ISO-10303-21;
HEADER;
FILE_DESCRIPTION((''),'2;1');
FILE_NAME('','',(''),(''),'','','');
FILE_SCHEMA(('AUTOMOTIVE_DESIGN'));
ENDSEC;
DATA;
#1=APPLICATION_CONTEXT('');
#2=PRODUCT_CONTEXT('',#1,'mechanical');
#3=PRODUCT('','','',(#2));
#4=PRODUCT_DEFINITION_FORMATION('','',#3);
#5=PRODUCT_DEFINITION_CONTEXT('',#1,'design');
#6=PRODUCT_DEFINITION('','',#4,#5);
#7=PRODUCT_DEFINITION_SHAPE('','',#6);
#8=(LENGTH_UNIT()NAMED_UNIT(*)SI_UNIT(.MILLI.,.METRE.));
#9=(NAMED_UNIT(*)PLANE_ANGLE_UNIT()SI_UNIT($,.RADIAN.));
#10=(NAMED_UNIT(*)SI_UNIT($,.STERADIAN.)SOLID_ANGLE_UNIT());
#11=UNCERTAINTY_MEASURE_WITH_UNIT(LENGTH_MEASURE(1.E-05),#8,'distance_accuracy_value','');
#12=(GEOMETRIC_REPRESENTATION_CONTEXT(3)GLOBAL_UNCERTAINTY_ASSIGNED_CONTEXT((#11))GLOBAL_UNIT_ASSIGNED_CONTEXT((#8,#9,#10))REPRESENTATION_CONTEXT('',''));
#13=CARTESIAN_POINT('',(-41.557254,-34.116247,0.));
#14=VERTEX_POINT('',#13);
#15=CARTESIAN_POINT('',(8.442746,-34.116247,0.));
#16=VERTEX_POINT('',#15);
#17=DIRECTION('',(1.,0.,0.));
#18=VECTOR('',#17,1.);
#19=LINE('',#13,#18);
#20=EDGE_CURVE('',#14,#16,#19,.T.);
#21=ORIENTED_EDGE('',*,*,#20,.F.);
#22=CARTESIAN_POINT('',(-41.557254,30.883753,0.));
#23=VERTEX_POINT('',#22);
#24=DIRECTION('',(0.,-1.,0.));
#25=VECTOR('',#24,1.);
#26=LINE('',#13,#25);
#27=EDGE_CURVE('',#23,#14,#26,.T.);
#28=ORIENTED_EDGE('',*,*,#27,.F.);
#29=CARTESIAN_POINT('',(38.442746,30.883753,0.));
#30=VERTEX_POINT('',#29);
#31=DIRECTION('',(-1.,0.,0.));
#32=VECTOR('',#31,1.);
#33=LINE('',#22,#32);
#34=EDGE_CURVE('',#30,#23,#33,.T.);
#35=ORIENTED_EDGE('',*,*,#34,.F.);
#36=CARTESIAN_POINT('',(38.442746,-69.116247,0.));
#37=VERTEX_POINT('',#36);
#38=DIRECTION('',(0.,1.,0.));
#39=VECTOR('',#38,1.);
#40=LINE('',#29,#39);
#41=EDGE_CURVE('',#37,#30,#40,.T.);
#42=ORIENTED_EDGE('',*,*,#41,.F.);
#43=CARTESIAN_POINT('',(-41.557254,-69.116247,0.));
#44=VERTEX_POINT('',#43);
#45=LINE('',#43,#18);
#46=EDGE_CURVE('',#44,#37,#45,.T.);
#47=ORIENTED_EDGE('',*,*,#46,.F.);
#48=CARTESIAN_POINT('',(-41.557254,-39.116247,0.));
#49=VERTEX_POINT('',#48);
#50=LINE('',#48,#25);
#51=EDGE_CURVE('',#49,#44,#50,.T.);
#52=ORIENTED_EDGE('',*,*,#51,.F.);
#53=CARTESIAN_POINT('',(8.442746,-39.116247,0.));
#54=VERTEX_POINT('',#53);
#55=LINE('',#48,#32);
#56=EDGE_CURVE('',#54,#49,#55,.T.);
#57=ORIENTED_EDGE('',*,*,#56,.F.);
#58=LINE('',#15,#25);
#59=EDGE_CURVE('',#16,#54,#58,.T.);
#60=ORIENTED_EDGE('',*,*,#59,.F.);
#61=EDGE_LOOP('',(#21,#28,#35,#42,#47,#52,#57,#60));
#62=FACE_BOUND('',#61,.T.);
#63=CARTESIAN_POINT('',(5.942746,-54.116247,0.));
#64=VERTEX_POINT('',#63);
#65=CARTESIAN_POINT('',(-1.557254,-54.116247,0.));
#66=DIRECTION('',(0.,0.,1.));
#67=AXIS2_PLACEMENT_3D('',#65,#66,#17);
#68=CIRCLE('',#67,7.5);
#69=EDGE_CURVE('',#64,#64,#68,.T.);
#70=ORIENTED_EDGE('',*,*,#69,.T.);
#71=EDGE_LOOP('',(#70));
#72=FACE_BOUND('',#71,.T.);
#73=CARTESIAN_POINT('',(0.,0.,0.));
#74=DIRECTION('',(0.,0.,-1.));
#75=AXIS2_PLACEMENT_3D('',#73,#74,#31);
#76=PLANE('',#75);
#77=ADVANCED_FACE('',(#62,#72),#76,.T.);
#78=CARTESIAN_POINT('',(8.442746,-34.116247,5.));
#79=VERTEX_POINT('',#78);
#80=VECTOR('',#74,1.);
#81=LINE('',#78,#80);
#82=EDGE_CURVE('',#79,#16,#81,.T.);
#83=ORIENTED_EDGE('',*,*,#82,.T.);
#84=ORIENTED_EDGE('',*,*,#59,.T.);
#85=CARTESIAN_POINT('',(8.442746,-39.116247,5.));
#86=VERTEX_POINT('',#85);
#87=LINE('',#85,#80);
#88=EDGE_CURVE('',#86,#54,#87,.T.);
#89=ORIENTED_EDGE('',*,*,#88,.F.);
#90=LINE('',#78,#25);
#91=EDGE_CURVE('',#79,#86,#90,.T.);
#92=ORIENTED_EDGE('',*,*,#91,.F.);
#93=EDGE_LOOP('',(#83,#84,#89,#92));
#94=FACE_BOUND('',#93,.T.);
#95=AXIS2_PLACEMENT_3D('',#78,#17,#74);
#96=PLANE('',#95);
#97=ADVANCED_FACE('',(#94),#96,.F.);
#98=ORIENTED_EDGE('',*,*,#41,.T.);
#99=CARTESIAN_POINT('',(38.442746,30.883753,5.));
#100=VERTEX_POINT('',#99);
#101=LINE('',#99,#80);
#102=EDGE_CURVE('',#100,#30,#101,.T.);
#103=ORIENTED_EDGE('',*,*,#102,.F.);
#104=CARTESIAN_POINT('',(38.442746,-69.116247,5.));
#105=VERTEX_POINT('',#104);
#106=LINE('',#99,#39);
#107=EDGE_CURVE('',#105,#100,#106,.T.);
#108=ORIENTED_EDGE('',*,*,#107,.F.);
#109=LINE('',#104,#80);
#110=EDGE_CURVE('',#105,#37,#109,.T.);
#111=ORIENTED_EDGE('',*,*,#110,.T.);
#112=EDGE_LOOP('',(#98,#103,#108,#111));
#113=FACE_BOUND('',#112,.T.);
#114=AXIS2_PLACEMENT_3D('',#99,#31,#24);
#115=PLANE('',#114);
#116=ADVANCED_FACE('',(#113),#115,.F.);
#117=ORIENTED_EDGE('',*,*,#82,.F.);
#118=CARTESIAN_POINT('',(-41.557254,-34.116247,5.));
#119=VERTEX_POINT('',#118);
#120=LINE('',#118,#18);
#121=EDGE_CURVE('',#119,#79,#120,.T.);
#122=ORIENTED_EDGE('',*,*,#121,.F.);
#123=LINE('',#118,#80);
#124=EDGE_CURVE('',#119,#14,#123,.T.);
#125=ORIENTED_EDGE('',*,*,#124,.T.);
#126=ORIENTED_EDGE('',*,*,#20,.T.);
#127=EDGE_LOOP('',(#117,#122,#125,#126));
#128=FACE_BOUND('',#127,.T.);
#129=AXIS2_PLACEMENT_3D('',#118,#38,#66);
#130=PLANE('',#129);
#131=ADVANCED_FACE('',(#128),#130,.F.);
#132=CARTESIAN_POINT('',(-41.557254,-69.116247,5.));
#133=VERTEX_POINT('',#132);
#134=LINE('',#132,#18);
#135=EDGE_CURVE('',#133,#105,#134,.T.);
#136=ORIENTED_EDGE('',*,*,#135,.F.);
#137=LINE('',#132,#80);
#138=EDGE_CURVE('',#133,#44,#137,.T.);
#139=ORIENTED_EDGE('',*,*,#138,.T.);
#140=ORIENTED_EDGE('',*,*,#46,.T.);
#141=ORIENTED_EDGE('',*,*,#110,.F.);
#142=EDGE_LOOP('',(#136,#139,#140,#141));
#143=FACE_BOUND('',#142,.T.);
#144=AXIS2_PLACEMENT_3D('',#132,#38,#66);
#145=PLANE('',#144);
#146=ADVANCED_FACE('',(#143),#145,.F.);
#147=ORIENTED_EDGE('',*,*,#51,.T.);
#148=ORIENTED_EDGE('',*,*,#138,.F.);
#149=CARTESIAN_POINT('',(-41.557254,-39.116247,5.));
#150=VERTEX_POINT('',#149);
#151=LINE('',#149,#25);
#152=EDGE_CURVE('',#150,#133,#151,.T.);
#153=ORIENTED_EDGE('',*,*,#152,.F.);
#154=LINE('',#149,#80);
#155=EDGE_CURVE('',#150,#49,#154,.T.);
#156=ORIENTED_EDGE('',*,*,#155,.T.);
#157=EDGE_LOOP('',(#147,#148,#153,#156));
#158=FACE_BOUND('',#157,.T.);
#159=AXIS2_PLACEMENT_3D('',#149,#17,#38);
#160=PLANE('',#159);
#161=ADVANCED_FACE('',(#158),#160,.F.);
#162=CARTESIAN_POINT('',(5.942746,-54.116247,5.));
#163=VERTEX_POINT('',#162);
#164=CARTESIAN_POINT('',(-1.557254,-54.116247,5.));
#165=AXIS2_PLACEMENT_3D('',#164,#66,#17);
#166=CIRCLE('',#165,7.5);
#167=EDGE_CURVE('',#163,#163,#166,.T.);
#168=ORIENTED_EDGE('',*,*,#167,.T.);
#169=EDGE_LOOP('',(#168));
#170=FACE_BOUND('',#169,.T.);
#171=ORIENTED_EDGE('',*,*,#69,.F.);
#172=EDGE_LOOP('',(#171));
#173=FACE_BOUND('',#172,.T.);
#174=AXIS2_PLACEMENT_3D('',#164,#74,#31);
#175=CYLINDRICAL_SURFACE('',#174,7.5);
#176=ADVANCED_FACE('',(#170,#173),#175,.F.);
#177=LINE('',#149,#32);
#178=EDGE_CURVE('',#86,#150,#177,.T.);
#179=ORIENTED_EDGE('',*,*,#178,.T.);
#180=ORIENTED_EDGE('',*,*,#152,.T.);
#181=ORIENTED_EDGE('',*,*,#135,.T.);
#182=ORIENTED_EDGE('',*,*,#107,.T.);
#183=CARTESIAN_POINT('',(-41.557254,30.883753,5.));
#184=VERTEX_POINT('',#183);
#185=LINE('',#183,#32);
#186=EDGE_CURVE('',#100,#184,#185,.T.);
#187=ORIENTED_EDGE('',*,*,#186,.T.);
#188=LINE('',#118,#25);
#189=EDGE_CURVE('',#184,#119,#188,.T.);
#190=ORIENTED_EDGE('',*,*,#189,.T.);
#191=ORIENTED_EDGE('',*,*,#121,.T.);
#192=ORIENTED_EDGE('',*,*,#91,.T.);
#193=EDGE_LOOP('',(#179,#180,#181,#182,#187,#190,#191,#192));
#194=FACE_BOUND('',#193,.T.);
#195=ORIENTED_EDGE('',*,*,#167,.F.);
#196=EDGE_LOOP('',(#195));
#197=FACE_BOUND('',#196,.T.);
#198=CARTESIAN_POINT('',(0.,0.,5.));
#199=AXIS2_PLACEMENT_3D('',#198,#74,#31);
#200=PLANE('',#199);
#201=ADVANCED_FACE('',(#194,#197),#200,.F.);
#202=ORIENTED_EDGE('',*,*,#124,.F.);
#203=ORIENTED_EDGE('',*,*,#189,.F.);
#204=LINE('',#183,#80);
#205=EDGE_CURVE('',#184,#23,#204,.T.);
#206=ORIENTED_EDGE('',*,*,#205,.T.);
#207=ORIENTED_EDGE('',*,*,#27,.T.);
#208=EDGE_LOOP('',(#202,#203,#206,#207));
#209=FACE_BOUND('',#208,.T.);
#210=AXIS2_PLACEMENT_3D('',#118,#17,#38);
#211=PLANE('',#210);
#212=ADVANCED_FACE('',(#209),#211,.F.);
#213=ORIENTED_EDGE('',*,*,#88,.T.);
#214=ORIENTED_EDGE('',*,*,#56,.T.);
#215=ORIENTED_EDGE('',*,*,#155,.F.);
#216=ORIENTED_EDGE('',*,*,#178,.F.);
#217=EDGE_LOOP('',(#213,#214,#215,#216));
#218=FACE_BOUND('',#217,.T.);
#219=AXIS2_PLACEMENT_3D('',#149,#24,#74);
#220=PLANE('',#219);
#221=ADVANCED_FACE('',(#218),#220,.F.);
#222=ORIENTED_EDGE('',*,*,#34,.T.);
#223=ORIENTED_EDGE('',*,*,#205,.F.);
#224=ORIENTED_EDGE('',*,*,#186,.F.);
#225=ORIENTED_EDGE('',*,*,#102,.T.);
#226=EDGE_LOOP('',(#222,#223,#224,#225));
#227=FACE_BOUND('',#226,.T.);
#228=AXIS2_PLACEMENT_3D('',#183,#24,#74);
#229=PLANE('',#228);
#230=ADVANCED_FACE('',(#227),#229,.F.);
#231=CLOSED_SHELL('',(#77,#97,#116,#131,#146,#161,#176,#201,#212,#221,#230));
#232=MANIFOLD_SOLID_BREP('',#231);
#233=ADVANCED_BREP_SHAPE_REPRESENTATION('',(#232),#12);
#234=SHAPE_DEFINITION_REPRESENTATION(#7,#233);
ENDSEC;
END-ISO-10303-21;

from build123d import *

# Parameters (mm, degrees)
ESQUISSE1_R        = 7.5
BOSS_EXTRU_1_DEPTH = 5


with BuildPart() as part:
    # Esquisse1 → Boss.-Extru.1 (new body)
    with BuildSketch(Plane.XY):
        Polygon((-41.557253912, -39.116246783), (-41.557253912, -69.116246783), (38.442746088, -69.116246783), (38.442746088, 30.883753217), (-41.557253912, 30.883753217), (-41.557253912, -34.116246783), (8.442746088, -34.116246783), (8.442746088, -39.116246783), align=None)
        with Locations((-1.557253912, -54.116246783)):
            Circle(ESQUISSE1_R, mode=Mode.SUBTRACT)
    extrude(amount=BOSS_EXTRU_1_DEPTH)


solid = part.part
